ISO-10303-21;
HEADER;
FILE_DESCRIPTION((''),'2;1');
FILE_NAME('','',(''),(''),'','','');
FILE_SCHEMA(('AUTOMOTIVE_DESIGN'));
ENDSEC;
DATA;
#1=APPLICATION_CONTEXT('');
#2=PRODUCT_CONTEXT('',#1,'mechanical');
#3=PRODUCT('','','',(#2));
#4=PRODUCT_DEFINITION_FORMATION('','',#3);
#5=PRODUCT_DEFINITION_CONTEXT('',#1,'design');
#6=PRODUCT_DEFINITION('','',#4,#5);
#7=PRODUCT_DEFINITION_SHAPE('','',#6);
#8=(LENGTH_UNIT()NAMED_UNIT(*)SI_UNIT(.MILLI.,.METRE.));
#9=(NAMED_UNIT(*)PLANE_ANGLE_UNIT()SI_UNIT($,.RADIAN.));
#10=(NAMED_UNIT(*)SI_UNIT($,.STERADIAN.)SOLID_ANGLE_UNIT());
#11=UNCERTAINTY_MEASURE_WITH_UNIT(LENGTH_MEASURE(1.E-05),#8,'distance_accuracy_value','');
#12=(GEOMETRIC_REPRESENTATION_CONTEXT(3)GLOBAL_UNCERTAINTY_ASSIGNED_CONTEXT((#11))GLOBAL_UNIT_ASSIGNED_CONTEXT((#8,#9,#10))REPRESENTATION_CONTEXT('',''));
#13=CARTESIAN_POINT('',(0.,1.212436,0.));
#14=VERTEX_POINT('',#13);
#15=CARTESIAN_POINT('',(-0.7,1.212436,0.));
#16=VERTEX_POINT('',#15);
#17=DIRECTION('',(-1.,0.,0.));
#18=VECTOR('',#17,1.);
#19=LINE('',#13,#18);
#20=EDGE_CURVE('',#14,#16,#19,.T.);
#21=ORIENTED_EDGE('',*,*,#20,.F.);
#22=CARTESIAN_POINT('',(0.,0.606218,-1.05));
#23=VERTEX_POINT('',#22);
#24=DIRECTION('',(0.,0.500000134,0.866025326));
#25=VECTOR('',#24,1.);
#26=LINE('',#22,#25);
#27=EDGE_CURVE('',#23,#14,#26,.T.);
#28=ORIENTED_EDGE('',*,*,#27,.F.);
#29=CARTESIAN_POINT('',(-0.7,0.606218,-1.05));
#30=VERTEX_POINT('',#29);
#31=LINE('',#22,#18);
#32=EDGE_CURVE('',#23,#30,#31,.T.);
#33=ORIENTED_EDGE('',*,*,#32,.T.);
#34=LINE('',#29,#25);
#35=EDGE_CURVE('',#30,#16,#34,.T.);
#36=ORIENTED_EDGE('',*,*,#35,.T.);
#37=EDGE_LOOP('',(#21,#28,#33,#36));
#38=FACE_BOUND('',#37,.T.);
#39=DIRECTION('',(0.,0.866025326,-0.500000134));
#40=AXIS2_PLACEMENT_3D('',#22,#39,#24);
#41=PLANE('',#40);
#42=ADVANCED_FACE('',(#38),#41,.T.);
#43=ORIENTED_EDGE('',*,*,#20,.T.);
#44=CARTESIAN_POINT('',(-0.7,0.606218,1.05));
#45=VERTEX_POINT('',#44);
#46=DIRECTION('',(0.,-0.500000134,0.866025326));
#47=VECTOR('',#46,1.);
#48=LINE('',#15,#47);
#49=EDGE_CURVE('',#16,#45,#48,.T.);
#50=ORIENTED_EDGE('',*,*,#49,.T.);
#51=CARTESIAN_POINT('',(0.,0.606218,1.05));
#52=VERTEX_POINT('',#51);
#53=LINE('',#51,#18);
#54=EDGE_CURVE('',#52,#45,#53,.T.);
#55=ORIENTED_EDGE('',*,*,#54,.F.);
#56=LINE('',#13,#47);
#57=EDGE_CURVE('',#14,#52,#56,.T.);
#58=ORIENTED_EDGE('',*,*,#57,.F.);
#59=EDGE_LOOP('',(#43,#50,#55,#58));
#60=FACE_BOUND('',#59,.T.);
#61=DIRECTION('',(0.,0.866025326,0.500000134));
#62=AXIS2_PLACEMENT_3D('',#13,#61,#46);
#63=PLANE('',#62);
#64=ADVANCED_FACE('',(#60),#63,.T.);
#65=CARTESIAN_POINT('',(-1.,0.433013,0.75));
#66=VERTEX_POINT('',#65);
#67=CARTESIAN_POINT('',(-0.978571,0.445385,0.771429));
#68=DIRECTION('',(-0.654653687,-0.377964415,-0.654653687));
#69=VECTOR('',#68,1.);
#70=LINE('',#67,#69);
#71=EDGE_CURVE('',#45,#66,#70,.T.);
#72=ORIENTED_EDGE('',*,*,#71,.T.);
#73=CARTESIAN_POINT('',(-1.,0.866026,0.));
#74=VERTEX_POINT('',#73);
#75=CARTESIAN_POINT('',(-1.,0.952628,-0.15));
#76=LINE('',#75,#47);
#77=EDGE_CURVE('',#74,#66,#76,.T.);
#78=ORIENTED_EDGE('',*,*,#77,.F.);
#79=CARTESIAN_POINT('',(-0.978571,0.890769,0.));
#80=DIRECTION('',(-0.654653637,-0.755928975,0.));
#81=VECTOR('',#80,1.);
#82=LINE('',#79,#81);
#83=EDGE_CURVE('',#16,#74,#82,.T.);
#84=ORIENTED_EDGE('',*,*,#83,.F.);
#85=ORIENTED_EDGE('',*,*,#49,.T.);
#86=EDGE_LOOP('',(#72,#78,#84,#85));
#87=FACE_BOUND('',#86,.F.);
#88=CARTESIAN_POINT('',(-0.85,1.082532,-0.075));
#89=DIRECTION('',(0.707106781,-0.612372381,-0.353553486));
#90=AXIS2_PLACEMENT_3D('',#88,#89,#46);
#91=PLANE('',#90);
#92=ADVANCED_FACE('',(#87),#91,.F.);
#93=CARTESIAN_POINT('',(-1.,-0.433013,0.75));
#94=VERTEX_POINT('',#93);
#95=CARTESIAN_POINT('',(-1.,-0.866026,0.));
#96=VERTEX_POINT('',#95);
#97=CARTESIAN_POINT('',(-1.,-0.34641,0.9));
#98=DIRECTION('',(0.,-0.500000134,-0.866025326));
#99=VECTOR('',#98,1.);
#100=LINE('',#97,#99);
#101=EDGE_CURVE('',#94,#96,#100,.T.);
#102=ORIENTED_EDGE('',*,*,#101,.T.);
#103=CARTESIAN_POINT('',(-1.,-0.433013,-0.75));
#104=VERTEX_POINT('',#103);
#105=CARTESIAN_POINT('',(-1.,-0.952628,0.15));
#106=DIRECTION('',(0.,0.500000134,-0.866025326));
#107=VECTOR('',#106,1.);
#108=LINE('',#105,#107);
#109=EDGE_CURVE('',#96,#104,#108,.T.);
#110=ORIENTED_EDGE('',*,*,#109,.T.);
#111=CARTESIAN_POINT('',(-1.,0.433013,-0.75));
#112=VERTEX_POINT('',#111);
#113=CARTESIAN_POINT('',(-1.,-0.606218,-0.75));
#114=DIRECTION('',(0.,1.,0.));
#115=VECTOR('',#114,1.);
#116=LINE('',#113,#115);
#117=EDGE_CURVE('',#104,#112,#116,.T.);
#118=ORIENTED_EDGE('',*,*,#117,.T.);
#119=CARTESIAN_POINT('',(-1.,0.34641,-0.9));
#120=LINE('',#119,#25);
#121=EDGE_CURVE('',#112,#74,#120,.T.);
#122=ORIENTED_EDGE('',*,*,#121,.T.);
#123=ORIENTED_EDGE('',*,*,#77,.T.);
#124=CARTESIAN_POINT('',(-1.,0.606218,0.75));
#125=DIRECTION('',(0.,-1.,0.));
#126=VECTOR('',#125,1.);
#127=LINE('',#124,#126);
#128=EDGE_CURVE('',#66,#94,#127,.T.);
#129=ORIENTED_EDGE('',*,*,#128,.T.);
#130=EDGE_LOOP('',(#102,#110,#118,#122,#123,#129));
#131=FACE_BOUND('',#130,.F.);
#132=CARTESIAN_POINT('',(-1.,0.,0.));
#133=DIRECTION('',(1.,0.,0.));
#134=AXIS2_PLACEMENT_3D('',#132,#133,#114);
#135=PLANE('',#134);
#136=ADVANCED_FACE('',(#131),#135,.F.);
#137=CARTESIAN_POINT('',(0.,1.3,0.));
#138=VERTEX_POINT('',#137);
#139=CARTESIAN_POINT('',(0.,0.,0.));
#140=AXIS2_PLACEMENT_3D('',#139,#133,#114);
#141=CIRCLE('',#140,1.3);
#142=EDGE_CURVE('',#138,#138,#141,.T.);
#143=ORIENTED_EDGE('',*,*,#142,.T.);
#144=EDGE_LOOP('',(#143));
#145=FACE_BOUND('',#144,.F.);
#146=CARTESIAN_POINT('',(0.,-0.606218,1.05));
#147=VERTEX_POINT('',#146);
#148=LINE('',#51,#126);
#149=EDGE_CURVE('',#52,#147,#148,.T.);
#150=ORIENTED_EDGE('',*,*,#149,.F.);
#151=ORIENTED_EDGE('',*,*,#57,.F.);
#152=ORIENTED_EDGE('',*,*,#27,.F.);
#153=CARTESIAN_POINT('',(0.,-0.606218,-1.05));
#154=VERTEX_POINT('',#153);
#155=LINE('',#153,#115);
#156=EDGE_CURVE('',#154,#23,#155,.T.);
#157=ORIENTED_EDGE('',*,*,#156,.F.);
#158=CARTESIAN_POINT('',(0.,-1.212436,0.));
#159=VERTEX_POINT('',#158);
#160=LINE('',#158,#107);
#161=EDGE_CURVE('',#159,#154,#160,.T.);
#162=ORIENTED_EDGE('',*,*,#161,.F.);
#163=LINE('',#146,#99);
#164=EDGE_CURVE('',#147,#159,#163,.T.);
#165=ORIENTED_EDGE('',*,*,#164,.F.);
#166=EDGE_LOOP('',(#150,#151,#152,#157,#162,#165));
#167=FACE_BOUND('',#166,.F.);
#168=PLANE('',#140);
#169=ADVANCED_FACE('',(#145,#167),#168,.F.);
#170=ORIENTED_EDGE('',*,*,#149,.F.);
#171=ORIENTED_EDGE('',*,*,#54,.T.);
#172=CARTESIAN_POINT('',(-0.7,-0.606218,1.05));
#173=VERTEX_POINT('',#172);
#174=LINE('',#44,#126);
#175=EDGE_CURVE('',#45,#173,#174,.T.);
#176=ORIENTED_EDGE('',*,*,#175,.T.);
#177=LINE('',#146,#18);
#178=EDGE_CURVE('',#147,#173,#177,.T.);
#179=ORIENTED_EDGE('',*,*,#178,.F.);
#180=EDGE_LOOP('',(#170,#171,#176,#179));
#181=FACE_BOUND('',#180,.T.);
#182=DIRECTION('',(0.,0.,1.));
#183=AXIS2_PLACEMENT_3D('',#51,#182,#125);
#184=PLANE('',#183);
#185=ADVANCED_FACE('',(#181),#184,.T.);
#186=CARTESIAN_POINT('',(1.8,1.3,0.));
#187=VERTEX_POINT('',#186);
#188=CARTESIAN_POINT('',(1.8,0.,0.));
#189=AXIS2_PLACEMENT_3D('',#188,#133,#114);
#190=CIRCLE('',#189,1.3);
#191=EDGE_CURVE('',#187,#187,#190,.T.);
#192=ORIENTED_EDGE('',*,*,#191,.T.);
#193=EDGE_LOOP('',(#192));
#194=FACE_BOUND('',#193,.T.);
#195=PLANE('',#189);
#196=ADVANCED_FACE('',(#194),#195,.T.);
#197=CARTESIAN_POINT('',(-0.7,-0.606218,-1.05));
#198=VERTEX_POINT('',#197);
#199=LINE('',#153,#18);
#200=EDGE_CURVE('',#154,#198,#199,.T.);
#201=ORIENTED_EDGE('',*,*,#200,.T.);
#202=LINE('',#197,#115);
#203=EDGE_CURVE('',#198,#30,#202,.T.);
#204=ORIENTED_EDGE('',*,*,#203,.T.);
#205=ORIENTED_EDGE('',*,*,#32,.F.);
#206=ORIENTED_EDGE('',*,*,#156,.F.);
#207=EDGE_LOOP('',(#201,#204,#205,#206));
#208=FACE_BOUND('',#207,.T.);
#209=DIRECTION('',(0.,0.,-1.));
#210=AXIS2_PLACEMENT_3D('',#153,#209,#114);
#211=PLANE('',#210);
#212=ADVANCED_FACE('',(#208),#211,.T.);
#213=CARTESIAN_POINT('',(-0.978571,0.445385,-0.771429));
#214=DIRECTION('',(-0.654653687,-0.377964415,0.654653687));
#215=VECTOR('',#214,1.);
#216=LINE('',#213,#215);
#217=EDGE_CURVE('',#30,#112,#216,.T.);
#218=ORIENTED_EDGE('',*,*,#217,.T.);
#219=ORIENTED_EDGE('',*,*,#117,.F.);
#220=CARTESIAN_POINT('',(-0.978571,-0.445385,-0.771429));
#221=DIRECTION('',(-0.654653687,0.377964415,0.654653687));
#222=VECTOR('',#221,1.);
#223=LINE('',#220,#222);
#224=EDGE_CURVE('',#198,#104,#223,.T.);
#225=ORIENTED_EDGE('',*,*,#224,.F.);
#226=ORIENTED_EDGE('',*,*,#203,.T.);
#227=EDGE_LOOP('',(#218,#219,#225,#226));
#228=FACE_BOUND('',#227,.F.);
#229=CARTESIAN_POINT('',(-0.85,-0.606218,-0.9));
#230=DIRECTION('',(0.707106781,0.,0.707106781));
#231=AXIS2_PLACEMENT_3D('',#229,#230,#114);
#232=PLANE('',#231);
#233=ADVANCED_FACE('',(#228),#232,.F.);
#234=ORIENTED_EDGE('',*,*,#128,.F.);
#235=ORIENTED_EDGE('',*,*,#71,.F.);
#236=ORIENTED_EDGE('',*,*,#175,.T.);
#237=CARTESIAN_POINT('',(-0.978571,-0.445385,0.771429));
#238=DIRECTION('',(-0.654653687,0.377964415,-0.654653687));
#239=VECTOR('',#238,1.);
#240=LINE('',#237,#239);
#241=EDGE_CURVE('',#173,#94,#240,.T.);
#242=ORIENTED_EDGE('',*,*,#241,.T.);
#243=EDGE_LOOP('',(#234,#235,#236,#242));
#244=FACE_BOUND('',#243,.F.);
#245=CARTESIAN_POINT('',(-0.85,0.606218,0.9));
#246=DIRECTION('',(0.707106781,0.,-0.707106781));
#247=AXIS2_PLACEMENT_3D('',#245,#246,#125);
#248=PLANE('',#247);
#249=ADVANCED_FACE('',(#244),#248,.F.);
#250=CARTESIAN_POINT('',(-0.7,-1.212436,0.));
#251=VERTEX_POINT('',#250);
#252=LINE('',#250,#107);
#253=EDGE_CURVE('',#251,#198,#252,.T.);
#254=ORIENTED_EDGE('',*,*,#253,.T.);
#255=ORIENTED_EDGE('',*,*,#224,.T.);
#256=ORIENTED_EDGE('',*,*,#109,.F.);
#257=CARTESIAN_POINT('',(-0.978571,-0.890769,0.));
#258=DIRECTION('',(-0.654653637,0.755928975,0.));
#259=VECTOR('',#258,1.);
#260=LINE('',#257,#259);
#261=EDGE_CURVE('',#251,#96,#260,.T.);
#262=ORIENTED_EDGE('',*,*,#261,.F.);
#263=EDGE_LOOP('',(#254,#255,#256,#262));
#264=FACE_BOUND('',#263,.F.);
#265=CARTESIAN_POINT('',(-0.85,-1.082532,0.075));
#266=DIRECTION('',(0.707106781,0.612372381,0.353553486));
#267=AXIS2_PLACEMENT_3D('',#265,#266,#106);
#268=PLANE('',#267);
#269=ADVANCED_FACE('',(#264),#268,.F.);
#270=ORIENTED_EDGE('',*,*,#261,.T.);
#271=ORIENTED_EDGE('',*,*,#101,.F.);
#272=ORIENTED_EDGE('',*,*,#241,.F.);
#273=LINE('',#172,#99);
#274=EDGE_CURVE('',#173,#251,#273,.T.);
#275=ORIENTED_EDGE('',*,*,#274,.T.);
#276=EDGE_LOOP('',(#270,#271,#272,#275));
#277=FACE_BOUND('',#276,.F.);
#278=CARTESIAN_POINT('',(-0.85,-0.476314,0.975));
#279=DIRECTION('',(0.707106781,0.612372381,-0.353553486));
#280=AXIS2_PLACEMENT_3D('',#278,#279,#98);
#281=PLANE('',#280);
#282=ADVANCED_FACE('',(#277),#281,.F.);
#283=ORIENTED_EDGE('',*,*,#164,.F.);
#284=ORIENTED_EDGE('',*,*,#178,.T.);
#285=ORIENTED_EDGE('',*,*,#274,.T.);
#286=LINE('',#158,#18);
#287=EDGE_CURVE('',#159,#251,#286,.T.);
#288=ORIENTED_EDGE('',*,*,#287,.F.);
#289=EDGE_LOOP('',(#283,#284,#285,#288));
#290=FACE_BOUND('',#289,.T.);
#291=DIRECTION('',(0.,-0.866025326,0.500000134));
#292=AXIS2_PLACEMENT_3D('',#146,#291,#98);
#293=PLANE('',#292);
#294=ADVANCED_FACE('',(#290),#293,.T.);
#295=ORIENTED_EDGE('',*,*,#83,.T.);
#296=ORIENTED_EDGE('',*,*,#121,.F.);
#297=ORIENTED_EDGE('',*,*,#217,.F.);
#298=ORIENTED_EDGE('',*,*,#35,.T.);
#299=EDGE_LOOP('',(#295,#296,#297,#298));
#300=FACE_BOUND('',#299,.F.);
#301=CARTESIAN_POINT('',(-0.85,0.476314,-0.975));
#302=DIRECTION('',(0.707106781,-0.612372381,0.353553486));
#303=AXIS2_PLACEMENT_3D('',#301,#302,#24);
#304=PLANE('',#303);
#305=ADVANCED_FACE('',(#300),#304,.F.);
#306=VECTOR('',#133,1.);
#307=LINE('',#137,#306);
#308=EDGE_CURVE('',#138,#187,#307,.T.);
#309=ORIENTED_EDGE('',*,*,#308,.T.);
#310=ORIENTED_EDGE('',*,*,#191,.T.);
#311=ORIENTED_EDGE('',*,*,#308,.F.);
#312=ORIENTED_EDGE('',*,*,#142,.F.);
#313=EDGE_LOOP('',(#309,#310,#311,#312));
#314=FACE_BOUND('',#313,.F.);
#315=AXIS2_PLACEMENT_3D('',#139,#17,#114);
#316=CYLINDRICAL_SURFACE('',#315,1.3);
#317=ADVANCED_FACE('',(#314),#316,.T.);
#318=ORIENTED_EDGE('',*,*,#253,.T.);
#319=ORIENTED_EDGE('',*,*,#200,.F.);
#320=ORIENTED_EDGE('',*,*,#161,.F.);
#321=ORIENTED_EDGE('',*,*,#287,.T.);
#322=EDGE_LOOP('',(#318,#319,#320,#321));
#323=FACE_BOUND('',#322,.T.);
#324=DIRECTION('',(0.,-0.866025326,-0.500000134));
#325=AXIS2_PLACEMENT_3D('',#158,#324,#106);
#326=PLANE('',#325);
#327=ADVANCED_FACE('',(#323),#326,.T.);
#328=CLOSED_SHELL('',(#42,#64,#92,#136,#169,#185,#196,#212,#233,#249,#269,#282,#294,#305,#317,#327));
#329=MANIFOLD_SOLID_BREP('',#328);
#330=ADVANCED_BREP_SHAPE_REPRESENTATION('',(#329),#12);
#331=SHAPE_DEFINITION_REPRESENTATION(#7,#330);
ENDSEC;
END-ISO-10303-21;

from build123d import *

# Parameters (mm, degrees)
F0_R     = 1.3
F1_DEPTH = 1.8
F3_DEPTH = 1
F4_SIZE  = 0.3


with BuildPart() as f1:
    # F0 (on Right) → F1 (new body)
    with BuildSketch(Plane.YZ):
        Circle(F0_R)
    extrude(amount=F1_DEPTH)

    # F2 (on Right) → F3 (join)
    with BuildSketch(Plane.YZ):
        Polygon((0.606218, 1.05), (-0.606218, 1.05), (-1.212436, 0), (-0.606218, -1.05), (0.606218, -1.05), (1.212436, 0), align=None)
    extrude(amount=-F3_DEPTH)

    # F4
    f4_edges = [f1.edges().sort_by_distance(p)[0] for p in [
        (-1, 0, 1.05),
        (-1, -0.909327, 0.525),
        (-1, -0.909327, -0.525),
        (-1, 0, -1.05),
        (-1, 0.909327, -0.525),
        (-1, 0.909327, 0.525),
    ]]
    chamfer(f4_edges, length=F4_SIZE)


solid = f1.part
